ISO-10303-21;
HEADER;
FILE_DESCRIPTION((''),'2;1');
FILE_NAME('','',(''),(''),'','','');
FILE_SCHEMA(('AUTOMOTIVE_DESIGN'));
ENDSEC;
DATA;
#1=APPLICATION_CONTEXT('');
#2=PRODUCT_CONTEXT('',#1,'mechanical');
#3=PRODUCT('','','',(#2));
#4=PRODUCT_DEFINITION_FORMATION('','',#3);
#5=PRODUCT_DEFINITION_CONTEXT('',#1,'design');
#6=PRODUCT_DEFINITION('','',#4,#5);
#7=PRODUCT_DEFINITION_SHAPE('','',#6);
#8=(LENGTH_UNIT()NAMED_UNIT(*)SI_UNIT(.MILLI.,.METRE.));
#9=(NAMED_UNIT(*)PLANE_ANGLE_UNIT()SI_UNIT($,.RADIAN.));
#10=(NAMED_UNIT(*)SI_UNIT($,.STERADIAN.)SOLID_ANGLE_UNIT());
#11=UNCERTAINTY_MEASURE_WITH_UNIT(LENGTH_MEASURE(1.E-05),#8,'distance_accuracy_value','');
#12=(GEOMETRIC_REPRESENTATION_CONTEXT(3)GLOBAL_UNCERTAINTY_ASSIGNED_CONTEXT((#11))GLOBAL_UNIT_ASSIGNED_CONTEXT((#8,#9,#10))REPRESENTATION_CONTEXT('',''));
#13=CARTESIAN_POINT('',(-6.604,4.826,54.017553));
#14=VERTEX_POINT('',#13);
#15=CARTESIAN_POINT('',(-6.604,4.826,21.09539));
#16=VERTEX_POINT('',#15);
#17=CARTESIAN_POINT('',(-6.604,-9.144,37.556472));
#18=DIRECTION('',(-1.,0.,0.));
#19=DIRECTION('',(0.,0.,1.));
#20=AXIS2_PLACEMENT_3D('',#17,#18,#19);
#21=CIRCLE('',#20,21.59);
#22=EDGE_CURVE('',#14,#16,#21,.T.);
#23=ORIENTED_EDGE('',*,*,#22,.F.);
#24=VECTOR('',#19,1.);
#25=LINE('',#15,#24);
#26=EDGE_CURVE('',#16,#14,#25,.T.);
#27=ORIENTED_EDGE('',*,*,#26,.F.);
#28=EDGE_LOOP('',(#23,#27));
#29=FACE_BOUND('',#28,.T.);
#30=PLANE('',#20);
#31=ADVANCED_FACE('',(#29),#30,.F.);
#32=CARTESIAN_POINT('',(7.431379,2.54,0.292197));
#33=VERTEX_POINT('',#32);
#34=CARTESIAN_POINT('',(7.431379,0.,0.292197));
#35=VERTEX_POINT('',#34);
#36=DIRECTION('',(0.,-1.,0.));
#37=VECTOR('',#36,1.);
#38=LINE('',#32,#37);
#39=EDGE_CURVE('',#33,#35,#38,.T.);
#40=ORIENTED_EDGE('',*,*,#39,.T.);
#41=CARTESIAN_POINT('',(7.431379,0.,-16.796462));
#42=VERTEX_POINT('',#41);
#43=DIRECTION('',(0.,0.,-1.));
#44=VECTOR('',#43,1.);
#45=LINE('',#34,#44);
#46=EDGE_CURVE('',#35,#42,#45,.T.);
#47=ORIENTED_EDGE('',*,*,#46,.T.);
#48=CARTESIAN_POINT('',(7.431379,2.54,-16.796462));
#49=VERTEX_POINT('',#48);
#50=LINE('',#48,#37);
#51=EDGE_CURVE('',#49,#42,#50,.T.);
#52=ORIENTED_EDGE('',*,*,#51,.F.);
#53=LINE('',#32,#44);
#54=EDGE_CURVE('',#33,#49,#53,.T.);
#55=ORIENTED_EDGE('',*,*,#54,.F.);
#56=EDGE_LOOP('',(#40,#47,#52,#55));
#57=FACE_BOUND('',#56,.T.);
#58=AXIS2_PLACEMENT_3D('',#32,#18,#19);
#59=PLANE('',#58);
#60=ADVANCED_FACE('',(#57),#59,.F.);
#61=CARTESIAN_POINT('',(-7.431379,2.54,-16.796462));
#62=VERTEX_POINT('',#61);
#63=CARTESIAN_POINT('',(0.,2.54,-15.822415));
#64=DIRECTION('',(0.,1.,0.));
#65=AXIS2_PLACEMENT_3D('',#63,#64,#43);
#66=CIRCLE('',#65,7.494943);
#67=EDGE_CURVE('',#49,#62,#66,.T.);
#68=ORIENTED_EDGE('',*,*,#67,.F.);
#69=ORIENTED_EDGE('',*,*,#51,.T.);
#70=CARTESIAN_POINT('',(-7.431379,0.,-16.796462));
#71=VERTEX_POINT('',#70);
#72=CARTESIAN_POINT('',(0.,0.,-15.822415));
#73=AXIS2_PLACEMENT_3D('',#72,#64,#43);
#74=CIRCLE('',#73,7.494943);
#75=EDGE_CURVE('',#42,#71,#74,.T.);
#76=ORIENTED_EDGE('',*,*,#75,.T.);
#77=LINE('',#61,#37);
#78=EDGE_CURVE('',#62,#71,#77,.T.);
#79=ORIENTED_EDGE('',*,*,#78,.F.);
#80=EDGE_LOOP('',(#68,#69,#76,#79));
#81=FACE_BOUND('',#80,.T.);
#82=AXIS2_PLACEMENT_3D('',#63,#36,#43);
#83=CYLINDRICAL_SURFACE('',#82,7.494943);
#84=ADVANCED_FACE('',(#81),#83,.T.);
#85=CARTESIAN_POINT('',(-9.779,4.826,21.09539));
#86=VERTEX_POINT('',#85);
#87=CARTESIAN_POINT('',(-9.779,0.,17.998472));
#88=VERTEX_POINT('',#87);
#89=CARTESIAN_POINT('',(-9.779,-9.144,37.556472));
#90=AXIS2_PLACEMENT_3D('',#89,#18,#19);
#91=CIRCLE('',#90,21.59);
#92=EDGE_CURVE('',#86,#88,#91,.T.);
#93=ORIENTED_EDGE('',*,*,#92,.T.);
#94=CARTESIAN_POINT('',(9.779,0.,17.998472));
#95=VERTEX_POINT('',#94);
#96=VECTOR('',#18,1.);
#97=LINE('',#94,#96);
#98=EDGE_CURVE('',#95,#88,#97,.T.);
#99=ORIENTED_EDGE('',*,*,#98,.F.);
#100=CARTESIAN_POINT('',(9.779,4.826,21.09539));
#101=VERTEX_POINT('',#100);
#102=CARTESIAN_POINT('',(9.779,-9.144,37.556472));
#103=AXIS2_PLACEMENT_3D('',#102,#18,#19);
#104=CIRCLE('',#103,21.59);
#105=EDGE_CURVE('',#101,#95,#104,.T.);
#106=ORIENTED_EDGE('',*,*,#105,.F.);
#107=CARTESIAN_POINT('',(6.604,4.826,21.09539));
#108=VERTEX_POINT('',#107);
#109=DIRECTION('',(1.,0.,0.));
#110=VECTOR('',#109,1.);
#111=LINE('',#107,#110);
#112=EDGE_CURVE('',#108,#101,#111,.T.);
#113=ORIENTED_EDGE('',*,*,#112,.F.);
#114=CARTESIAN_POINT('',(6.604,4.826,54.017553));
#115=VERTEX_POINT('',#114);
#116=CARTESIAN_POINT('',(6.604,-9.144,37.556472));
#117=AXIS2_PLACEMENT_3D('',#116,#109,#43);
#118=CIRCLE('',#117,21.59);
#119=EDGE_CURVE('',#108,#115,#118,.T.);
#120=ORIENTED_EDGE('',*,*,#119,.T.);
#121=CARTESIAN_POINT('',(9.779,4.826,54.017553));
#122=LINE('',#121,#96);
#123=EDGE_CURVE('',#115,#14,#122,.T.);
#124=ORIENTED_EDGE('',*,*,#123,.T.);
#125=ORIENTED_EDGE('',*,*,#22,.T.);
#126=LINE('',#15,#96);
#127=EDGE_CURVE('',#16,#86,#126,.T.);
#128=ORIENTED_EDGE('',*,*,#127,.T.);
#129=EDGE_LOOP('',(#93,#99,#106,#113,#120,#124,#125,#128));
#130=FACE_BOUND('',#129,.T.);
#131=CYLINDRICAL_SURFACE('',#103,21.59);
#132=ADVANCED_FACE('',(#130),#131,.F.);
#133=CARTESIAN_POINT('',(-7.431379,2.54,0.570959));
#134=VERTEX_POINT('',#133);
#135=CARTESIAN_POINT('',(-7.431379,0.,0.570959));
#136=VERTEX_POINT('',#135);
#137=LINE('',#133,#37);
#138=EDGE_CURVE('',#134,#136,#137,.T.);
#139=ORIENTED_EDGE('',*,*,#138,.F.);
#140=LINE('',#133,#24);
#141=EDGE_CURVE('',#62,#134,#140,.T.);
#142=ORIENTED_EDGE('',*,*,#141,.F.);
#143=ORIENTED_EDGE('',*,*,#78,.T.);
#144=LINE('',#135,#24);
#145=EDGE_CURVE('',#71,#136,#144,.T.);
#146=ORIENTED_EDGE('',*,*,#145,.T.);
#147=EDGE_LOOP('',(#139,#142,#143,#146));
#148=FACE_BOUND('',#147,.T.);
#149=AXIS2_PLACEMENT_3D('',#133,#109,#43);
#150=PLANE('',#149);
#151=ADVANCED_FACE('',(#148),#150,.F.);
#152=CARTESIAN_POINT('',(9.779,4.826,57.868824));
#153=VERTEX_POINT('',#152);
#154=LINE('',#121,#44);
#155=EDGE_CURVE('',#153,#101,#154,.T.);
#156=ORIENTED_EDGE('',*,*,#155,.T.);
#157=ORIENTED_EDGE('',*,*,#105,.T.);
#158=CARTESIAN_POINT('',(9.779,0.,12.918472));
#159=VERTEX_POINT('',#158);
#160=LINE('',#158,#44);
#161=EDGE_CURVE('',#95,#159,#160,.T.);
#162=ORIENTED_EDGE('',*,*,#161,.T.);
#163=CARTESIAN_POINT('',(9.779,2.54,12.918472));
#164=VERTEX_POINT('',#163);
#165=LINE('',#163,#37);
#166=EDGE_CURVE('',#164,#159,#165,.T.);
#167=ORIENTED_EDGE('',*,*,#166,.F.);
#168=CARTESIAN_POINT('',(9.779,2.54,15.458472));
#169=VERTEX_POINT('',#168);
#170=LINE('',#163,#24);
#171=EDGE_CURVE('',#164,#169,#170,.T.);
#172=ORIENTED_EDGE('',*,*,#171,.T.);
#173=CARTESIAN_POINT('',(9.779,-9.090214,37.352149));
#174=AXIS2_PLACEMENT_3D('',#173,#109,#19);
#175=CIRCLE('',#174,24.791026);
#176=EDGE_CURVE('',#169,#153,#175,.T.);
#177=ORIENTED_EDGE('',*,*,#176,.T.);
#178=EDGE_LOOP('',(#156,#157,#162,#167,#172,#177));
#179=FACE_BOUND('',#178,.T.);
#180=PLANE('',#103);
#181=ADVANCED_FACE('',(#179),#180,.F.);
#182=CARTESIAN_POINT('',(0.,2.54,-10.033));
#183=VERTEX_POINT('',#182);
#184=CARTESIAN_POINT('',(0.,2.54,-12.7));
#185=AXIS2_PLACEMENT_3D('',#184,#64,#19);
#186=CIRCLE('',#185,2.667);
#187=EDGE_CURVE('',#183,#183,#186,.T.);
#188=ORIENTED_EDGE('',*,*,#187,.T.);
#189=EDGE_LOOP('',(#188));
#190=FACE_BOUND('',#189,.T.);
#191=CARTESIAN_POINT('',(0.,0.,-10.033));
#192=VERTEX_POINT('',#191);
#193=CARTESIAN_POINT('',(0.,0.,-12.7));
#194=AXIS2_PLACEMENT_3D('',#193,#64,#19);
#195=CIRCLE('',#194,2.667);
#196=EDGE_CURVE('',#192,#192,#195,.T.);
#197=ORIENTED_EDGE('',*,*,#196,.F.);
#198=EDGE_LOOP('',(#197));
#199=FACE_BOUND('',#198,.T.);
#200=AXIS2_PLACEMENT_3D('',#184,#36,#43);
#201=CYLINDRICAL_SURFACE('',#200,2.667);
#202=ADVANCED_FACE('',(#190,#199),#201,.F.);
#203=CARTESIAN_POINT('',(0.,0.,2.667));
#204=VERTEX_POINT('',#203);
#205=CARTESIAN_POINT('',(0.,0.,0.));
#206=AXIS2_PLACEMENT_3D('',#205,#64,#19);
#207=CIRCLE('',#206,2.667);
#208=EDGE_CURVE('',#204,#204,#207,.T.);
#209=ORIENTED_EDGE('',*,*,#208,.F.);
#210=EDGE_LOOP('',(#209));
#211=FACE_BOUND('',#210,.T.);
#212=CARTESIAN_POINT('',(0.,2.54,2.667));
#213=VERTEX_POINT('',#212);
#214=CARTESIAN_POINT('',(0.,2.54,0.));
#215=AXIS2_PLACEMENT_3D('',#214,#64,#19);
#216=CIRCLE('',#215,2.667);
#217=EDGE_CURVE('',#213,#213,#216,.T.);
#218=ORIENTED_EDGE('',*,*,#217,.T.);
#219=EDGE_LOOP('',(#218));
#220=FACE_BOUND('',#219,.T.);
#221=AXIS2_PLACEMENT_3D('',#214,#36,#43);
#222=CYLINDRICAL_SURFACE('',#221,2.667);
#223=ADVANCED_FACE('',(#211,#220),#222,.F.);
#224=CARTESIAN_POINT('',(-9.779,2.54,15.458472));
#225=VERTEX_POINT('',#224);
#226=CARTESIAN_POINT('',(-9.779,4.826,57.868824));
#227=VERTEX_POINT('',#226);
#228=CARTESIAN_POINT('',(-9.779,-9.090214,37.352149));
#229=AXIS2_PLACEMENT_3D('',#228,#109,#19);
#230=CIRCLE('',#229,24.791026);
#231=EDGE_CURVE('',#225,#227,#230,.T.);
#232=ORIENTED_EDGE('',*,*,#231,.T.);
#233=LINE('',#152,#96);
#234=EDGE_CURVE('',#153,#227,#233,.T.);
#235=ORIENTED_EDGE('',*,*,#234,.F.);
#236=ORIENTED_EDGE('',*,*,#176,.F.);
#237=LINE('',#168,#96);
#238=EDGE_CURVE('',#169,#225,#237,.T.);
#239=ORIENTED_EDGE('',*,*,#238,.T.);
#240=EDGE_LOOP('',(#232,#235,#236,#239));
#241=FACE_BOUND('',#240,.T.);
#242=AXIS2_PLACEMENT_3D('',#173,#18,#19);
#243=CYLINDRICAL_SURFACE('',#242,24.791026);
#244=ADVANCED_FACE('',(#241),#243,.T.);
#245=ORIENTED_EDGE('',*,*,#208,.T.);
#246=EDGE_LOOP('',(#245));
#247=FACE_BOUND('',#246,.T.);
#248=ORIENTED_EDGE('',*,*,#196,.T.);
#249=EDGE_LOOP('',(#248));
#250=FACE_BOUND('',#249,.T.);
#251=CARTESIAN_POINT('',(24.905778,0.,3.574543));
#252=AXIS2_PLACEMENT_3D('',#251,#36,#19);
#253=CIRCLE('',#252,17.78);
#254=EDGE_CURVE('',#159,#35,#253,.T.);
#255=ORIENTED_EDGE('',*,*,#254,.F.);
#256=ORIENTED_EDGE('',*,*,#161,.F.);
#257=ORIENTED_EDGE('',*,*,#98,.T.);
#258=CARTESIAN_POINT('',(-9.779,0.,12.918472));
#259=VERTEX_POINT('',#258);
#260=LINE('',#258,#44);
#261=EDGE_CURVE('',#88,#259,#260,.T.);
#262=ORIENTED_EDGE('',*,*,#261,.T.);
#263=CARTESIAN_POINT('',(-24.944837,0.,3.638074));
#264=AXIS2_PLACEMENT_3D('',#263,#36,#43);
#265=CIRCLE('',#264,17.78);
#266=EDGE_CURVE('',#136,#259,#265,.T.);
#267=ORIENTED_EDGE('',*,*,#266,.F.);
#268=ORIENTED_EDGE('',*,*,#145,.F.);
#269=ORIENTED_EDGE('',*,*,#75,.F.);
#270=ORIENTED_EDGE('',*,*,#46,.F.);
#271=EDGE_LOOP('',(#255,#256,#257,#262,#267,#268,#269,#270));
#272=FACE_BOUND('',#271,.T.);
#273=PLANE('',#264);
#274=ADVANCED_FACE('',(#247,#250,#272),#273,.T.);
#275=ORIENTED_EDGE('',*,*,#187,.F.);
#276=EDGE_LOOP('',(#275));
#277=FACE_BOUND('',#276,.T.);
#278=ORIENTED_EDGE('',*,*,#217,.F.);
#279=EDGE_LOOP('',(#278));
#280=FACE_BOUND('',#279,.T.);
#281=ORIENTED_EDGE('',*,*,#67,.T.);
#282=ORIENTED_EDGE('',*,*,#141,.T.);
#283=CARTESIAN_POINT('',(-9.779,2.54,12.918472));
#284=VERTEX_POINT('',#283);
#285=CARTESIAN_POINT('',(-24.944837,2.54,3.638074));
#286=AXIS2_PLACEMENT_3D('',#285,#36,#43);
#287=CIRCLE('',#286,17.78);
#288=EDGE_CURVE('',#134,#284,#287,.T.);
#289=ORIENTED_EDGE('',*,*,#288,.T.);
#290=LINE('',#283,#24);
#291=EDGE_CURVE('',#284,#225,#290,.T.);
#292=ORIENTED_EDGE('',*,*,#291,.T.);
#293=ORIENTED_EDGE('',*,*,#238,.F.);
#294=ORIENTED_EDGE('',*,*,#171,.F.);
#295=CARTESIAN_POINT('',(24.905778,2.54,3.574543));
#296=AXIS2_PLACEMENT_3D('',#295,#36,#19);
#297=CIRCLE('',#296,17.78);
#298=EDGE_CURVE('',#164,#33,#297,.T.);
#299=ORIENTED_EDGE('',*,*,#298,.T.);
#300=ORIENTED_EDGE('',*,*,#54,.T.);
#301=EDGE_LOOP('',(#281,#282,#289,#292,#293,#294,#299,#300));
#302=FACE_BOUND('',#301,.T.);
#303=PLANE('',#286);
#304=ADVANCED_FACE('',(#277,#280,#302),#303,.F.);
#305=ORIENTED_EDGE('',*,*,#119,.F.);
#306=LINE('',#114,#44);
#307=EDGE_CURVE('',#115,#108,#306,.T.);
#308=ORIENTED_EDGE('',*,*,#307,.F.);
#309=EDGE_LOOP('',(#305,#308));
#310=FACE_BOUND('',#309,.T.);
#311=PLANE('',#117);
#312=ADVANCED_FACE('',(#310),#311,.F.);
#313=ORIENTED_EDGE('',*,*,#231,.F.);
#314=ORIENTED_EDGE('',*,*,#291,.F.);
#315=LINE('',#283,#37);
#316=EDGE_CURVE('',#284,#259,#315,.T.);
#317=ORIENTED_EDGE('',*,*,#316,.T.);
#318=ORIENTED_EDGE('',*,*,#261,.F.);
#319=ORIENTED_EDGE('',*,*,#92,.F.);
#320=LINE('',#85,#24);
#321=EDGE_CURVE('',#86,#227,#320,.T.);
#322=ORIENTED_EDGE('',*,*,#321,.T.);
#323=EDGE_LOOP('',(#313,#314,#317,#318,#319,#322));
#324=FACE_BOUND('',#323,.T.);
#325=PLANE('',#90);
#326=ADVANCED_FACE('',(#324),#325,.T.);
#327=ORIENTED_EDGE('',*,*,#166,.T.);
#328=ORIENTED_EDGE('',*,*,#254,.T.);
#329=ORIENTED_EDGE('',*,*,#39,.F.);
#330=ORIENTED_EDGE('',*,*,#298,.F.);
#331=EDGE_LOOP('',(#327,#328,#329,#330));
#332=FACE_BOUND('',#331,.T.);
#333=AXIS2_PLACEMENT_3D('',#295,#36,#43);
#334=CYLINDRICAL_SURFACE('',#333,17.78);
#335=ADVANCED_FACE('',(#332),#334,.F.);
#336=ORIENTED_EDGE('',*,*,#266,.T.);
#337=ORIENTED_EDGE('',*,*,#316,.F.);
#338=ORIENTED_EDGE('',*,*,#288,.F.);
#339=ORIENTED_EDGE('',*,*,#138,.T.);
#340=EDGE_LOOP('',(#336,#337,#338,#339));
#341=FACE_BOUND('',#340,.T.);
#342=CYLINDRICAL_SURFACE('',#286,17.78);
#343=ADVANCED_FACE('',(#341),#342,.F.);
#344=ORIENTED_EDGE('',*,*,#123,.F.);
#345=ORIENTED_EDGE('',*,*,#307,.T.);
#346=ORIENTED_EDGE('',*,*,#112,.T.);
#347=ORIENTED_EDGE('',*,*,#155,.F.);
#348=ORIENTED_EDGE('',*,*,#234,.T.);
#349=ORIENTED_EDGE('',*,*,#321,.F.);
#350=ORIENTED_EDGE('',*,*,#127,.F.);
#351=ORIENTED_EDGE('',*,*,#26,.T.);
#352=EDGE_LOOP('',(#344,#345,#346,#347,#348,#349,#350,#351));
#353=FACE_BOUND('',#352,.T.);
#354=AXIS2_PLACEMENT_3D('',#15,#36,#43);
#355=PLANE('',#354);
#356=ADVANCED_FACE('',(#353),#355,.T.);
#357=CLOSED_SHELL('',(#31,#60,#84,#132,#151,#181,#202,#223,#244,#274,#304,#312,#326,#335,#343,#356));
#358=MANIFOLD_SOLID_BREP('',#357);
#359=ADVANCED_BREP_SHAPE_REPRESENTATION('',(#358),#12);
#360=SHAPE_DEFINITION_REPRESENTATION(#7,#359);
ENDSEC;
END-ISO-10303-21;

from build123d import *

# Parameters (mm, degrees)
SKETCH1_R                = 2.667
BOSS_EXTRUDE1_DEPTH      = 2.54
BOSS_EXTRUDE7_DEPTH      = 9.779
BOSS_EXTRUDE7_DEPTH_BACK = 9.779
BOSS_EXTRUDE8_DEPTH      = 3.175
BOSS_EXTRUDE9_START      = -3.175
BOSS_EXTRUDE9_DEPTH      = 3.175
CUT_EXTRUDE1_DEPTH       = 66.415448629


with BuildPart() as part:
    # Sketch1 → Boss-Extrude1 (new body)
    with BuildSketch(Plane(origin=(0, 0, 0), x_dir=(1, 0, 0), z_dir=(0, 1, 0))):
        with BuildLine():
            Line((-9.779, -12.918471663), (9.779, -12.918471663))
            ThreePointArc((9.779, -12.918471663), (7.425363666, -6.824700874), (7.431379329, -0.292196741))
            Line((7.431379329, -0.292196741), (7.431379329, 16.796462376))
            ThreePointArc((7.431379329, 16.796462376), (0, 23.317357624), (-7.431379329, 16.796462376))
            Line((-7.431379329, 16.796462376), (-7.431379329, -0.57095897))
            ThreePointArc((-7.431379329, -0.57095897), (-7.47774388, -6.959075495), (-9.779, -12.918471663))
        make_face()
        with Locations(Location((0, 0, 0), (0, 0, 270))):
            Circle(SKETCH1_R, mode=Mode.SUBTRACT)
        with Locations(Location((0, 12.7, 0), (0, 0, 270))):
            Circle(SKETCH1_R, mode=Mode.SUBTRACT)
    extrude(amount=BOSS_EXTRUDE1_DEPTH)

    # Sketch2 → Boss-Extrude7 (add, two sides: drawn at the far end of the back side and taken through both)
    with BuildSketch(Plane(origin=(0, 0, 0), x_dir=(0, 0, -1), z_dir=(1, 0, 0)).offset(-BOSS_EXTRUDE7_DEPTH_BACK)):
        with BuildLine():
            Line((-60.416471663, 0), (-57.114471663, 0))
            ThreePointArc((-57.114471663, 0), (-37.556471663, 12.446), (-17.998471663, 0))
            Line((-17.998471663, 0), (-12.918471663, 0))
            Line((-12.918471663, 0), (-12.918471663, 2.54))
            Line((-12.918471663, 2.54), (-15.458471663, 2.54))
            ThreePointArc((-15.458471663, 2.54), (-38.750541785, 15.661341156), (-60.416471663, 0))
        make_face()
    extrude(amount=BOSS_EXTRUDE7_DEPTH + BOSS_EXTRUDE7_DEPTH_BACK)

    # Sketch8 → Boss-Extrude8 (add)
    with BuildSketch(Plane.ZY.offset(9.779)):
        with BuildLine():
            Line((21.095390289, 4.826), (54.017553037, 4.826))
            ThreePointArc((54.017553037, 4.826), (37.556471663, 12.446), (21.095390289, 4.826))
        make_face()
    extrude(amount=-BOSS_EXTRUDE8_DEPTH)

    # Sketch9 → Boss-Extrude9 (add)
    with BuildSketch(Plane(origin=(9.779, 0, 0), x_dir=(0, 0, -1), z_dir=(1, 0, 0)).offset(BOSS_EXTRUDE9_START)):
        with BuildLine():
            Line((-54.017553037, 4.826), (-21.095390289, 4.826))
            ThreePointArc((-21.095390289, 4.826), (-37.556471663, 12.446), (-54.017553037, 4.826))
        make_face()
    extrude(amount=BOSS_EXTRUDE9_DEPTH)

    # Sketch10 → Cut-Extrude1 (cut, through all)
    with BuildSketch(Plane.ZY.offset(9.779)):
        with BuildLine():
            Line((54.017553037, 4.826), (57.868824209, 4.826))
            ThreePointArc((57.868824209, 4.826), (59.275844237, 2.483314384), (60.416471663, 0))
            Line((60.416471663, 0), (57.114471663, 0))
            ThreePointArc((57.114471663, 0), (55.726945646, 2.516273378), (54.017553037, 4.826))
        make_face()
    extrude(amount=-CUT_EXTRUDE1_DEPTH, mode=Mode.SUBTRACT)


solid = part.part
